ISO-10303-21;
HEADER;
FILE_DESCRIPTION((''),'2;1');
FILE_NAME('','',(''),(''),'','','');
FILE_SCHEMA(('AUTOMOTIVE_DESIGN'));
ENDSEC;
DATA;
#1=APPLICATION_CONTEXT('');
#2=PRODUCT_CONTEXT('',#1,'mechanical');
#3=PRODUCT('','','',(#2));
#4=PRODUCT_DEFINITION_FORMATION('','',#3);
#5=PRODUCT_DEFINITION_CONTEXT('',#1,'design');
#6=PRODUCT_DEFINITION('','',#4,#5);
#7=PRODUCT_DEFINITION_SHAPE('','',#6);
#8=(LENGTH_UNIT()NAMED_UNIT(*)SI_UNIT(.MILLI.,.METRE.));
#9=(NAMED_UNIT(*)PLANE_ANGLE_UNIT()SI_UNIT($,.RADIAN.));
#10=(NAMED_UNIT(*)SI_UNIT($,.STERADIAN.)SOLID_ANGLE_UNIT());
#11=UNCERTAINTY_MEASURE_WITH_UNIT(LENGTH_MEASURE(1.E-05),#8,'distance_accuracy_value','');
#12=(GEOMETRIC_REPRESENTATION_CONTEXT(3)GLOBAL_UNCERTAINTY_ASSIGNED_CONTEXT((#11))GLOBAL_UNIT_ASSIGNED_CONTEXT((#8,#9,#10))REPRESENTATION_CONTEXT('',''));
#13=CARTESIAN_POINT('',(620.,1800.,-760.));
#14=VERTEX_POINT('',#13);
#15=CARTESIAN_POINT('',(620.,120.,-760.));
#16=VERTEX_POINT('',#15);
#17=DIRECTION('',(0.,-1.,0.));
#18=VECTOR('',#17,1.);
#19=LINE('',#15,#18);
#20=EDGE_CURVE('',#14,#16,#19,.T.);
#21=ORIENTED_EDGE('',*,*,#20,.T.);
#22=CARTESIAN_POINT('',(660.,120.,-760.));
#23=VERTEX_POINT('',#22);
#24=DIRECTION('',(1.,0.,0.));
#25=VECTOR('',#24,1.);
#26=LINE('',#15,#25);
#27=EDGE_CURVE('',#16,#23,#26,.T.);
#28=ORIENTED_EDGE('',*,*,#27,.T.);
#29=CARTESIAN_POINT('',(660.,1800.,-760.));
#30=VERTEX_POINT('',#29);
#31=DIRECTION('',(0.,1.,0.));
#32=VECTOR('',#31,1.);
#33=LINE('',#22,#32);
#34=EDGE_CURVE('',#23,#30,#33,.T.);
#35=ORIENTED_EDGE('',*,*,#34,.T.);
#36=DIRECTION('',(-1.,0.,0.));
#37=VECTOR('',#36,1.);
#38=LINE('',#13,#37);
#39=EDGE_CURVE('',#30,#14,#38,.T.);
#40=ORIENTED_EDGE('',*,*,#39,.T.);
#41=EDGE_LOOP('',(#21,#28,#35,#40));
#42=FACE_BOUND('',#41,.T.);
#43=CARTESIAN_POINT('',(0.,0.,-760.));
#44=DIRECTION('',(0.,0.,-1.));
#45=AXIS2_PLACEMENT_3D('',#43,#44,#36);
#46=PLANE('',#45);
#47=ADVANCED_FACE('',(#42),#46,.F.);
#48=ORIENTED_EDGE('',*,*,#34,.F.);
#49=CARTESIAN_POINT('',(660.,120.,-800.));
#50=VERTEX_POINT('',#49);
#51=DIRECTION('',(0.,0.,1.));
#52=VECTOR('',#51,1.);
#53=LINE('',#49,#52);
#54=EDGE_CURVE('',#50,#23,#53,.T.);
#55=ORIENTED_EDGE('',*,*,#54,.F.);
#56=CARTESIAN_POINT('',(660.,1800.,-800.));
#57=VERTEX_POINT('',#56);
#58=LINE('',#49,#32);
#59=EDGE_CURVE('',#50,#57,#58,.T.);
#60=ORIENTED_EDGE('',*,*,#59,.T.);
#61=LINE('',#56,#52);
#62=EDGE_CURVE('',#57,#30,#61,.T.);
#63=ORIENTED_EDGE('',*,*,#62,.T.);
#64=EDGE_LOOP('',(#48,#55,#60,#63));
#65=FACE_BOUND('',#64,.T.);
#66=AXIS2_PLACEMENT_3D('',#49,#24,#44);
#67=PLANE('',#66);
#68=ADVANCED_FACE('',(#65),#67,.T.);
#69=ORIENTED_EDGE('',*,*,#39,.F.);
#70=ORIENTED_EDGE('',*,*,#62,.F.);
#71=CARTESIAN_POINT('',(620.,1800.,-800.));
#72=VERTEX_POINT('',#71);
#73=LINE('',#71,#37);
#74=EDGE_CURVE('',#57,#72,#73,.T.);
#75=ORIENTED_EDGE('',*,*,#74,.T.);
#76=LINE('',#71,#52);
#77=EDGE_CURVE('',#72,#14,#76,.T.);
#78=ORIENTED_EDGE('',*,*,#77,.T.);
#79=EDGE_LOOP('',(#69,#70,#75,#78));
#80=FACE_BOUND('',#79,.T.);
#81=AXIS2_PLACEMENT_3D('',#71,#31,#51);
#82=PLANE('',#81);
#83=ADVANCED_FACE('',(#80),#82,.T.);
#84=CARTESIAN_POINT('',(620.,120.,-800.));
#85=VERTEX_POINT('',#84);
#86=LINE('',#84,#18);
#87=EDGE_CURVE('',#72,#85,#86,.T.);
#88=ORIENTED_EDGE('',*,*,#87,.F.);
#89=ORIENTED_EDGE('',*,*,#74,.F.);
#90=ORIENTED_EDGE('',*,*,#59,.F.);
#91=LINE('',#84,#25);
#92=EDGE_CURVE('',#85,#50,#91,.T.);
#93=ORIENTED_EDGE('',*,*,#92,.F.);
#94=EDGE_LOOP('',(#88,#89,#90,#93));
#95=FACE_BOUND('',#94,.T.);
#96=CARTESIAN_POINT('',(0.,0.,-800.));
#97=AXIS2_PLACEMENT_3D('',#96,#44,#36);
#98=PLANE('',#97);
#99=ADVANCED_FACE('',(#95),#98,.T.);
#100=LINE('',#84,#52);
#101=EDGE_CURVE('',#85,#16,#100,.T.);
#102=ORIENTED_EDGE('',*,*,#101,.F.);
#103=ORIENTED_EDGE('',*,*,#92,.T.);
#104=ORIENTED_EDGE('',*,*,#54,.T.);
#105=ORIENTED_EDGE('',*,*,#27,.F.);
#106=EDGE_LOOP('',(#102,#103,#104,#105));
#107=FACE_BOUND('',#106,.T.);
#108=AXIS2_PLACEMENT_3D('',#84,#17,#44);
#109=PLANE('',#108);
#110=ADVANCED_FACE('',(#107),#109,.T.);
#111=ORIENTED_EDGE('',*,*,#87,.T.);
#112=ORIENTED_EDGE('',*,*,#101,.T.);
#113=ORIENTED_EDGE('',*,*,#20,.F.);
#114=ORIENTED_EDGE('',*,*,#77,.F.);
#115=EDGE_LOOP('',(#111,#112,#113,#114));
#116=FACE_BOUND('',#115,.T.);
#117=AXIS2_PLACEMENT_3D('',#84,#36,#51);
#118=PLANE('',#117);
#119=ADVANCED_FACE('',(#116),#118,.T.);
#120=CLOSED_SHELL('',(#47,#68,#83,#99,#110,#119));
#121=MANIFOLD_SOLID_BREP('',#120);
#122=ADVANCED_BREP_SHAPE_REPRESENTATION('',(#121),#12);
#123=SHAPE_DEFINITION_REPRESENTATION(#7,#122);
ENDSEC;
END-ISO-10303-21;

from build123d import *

# Parameters (mm, degrees)
OVEN_FIRIN_ARKA_KANAL_KABLO_1_START = -760
SKETCH1_W                           = 40
SKETCH1_H                           = 1680
OVEN_FIRIN_ARKA_KANAL_KABLO_1_DEPTH = 40


with BuildPart() as part:
    # Sketch1 → OVEN_firin_arka_kanal_kablo_1 (new body)
    with BuildSketch(Plane.XY.offset(OVEN_FIRIN_ARKA_KANAL_KABLO_1_START)):
        with Locations((640, 960)):
            Rectangle(SKETCH1_W, SKETCH1_H)
    extrude(amount=-OVEN_FIRIN_ARKA_KANAL_KABLO_1_DEPTH)


solid = part.part
